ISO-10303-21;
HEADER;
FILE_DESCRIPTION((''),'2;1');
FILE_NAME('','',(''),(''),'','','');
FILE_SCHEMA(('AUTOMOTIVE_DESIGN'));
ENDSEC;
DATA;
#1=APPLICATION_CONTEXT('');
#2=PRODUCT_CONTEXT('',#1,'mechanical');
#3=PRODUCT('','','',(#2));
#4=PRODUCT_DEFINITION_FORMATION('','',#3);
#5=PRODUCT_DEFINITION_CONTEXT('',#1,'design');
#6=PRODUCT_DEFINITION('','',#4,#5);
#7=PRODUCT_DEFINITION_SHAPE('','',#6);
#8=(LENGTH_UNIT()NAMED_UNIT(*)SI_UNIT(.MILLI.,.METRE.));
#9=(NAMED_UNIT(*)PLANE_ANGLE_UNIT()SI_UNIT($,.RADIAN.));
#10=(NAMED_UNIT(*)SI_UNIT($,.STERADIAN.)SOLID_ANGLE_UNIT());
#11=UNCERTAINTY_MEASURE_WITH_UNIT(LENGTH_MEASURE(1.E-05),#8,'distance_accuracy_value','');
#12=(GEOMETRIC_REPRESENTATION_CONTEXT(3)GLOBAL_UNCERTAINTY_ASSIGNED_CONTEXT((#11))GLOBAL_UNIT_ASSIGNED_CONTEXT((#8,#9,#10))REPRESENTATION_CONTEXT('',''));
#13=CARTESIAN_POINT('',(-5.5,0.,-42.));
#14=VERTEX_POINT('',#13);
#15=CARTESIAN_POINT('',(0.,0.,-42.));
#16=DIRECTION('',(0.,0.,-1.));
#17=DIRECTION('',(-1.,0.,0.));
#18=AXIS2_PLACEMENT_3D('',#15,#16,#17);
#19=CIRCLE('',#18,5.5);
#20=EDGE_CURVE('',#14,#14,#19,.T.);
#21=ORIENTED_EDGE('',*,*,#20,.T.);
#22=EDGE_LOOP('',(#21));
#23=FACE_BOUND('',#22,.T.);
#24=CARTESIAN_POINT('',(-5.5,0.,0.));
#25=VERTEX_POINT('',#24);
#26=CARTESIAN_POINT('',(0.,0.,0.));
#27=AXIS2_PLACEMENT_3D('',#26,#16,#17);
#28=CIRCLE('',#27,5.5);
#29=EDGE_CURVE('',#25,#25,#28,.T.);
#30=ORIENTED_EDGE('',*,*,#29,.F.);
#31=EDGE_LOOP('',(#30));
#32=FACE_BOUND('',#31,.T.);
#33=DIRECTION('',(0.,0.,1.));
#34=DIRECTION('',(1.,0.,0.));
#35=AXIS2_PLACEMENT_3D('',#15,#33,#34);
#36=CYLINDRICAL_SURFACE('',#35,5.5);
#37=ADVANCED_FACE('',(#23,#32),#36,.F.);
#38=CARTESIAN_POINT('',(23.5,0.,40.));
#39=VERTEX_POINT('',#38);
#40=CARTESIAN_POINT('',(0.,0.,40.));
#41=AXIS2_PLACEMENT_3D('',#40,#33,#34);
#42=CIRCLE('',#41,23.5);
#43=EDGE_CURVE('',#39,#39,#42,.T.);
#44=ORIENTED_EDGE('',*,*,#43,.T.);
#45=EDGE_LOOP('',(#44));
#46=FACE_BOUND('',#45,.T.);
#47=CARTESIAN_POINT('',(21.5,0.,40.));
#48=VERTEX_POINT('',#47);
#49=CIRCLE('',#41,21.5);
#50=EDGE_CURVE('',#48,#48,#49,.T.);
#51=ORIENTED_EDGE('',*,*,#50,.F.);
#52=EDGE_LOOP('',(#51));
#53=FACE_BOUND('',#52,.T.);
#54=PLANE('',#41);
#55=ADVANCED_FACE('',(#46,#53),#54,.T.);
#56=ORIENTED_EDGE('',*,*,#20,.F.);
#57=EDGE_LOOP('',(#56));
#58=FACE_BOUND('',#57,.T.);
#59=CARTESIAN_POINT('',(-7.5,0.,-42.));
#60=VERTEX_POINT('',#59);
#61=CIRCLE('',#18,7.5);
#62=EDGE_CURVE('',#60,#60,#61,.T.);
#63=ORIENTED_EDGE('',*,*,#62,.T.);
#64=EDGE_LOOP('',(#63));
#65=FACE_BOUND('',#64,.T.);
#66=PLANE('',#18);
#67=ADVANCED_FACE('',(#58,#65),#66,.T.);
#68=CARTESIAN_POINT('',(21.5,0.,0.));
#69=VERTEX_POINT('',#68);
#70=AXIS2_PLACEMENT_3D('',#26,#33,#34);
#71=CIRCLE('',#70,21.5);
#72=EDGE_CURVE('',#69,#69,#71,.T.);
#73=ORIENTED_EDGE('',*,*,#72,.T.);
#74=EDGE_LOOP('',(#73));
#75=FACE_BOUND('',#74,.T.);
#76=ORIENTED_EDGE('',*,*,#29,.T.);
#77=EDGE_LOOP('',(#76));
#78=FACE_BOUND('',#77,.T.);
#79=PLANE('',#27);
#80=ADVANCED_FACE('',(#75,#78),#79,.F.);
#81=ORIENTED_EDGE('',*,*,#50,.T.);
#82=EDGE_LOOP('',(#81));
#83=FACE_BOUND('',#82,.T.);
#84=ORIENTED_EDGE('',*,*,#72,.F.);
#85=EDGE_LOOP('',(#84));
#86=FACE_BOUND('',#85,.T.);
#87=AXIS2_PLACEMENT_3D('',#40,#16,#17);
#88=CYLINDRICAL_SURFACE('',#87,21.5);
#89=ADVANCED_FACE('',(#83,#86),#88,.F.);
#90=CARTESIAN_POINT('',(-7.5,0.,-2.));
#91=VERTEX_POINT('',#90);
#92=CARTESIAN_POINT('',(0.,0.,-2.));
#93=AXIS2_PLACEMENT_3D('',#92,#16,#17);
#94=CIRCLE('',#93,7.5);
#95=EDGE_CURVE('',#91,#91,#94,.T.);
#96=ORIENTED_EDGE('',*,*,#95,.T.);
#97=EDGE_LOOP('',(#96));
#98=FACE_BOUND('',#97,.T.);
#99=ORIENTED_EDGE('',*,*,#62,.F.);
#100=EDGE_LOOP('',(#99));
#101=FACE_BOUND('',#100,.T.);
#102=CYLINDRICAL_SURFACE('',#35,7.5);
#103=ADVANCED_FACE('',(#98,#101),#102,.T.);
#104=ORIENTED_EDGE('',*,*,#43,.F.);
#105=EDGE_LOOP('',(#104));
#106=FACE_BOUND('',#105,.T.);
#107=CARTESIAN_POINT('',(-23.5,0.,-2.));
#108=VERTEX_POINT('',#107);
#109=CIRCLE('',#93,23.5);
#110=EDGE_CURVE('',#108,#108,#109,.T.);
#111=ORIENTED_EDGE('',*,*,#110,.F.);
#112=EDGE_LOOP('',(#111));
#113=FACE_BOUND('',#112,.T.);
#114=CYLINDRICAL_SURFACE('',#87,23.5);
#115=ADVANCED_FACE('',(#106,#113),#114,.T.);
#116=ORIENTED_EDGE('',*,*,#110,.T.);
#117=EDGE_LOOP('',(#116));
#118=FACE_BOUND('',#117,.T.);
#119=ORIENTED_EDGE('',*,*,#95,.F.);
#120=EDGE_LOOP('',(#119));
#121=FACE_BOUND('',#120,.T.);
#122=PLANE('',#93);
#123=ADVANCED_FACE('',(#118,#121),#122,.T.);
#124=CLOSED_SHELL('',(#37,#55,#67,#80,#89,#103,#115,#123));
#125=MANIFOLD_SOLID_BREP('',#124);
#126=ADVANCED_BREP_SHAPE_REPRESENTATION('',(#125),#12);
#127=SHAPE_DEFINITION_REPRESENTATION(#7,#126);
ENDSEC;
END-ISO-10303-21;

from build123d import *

# Parameters (mm, degrees)
SKETCH1_R               = 23.5
SKETCH1_R_2             = 21.5
BOSS_EXTRUDE1_DEPTH     = 40
SKETCH3_R               = 23.5
BOSS_EXTRUDE4_DEPTH     = 2
SKETCH4_R               = 7.5
SKETCH4_R_2             = 5.5
BOSS_EXTRUDE5_DEPTH     = 40
SKETCH5_R               = 5.5
CUT_EXTRUDE1_DEPTH      = 41
CUT_EXTRUDE1_DEPTH_BACK = 43


with BuildPart() as part:
    # Sketch1 → Boss-Extrude1 (new body)
    with BuildSketch(Plane.XY):
        Circle(SKETCH1_R)
        Circle(SKETCH1_R_2, mode=Mode.SUBTRACT)
    extrude(amount=BOSS_EXTRUDE1_DEPTH)

    # Sketch3 → Boss-Extrude4 (add)
    with BuildSketch(Plane(origin=(0, 0, 0), x_dir=(-1, 0, 0), z_dir=(0, 0, -1))):
        Circle(SKETCH3_R)
    extrude(amount=BOSS_EXTRUDE4_DEPTH)

    # Sketch4 → Boss-Extrude5 (add)
    with BuildSketch(Plane(origin=(0, 0, -2), x_dir=(-1, 0, 0), z_dir=(0, 0, -1))):
        Circle(SKETCH4_R)
        Circle(SKETCH4_R_2, mode=Mode.SUBTRACT)
    extrude(amount=BOSS_EXTRUDE5_DEPTH)

    # Sketch5 → Cut-Extrude1 (cut, two sides)
    with BuildSketch(Plane(origin=(0, 0, -2), x_dir=(-1, 0, 0), z_dir=(0, 0, -1))) as cut_extrude1_sk:
        Circle(SKETCH5_R)
    extrude(amount=CUT_EXTRUDE1_DEPTH, mode=Mode.SUBTRACT)
    extrude(cut_extrude1_sk.sketch, amount=-CUT_EXTRUDE1_DEPTH_BACK, mode=Mode.SUBTRACT)


solid = part.part
